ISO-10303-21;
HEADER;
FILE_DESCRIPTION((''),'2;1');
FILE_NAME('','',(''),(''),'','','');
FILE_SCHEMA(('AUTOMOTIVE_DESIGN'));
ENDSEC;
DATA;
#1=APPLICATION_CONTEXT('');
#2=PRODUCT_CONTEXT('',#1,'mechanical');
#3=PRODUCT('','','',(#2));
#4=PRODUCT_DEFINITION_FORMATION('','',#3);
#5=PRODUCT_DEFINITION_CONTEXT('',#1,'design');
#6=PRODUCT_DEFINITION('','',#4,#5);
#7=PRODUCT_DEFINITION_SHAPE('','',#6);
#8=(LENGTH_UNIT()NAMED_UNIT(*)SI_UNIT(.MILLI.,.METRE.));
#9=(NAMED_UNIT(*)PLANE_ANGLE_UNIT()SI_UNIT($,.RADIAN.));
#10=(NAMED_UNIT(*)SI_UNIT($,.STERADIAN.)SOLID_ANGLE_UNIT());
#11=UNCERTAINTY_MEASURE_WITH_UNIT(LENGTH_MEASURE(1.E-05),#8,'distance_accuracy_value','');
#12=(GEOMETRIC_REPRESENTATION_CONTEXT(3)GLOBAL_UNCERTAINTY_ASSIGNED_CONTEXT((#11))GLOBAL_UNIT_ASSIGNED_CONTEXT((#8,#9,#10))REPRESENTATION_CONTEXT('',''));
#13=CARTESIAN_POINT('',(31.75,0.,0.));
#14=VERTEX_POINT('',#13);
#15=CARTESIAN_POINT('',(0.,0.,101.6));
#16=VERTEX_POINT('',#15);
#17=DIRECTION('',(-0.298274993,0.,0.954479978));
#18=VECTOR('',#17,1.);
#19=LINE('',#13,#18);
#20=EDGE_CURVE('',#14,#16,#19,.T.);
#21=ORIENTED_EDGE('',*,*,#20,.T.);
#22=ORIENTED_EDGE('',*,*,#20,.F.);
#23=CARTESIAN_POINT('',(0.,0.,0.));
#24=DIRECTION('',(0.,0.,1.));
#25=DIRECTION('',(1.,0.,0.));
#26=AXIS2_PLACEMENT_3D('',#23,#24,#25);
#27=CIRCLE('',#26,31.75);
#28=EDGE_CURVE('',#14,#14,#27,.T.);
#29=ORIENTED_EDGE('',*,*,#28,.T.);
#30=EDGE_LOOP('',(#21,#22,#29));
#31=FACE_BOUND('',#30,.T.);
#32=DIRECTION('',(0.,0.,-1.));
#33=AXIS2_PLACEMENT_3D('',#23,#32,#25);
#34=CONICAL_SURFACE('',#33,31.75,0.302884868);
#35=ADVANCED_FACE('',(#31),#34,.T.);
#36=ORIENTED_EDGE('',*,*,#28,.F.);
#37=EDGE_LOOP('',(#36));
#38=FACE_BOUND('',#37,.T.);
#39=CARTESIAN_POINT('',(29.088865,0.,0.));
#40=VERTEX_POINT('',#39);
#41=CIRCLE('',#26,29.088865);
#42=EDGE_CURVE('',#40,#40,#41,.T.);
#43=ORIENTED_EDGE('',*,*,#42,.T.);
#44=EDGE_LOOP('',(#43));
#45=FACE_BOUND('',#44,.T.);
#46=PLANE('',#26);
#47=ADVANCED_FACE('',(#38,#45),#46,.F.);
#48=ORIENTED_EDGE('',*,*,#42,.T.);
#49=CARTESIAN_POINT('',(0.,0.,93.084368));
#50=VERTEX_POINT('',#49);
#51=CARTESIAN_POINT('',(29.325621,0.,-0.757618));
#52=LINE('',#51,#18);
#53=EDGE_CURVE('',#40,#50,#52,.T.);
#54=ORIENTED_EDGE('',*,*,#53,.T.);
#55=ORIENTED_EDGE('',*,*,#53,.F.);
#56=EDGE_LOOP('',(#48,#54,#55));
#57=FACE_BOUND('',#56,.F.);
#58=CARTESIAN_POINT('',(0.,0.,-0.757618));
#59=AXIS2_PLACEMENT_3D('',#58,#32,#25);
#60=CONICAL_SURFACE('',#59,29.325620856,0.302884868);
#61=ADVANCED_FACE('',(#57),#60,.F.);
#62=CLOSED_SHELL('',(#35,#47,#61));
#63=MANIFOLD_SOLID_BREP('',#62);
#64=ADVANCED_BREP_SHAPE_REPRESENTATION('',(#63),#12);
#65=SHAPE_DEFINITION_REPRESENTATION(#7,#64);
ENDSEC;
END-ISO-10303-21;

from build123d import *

# Parameters (mm, degrees)
F2_T = -2.54


with BuildPart() as f1:
    # F0 (on Front) → F1 (revolve)
    with BuildSketch(Plane.XZ):
        Polygon((0, 101.6), (0, 0), (31.75, 0), align=None)
    revolve(axis=Axis((0, 0, 50.8), (0, 0, 1)))

    # F2
    f2_openings = [f1.faces().sort_by_distance(p)[0] for p in [
        (0, 0, 0),
    ]]
    offset(amount=F2_T, openings=f2_openings)


solid = f1.part
